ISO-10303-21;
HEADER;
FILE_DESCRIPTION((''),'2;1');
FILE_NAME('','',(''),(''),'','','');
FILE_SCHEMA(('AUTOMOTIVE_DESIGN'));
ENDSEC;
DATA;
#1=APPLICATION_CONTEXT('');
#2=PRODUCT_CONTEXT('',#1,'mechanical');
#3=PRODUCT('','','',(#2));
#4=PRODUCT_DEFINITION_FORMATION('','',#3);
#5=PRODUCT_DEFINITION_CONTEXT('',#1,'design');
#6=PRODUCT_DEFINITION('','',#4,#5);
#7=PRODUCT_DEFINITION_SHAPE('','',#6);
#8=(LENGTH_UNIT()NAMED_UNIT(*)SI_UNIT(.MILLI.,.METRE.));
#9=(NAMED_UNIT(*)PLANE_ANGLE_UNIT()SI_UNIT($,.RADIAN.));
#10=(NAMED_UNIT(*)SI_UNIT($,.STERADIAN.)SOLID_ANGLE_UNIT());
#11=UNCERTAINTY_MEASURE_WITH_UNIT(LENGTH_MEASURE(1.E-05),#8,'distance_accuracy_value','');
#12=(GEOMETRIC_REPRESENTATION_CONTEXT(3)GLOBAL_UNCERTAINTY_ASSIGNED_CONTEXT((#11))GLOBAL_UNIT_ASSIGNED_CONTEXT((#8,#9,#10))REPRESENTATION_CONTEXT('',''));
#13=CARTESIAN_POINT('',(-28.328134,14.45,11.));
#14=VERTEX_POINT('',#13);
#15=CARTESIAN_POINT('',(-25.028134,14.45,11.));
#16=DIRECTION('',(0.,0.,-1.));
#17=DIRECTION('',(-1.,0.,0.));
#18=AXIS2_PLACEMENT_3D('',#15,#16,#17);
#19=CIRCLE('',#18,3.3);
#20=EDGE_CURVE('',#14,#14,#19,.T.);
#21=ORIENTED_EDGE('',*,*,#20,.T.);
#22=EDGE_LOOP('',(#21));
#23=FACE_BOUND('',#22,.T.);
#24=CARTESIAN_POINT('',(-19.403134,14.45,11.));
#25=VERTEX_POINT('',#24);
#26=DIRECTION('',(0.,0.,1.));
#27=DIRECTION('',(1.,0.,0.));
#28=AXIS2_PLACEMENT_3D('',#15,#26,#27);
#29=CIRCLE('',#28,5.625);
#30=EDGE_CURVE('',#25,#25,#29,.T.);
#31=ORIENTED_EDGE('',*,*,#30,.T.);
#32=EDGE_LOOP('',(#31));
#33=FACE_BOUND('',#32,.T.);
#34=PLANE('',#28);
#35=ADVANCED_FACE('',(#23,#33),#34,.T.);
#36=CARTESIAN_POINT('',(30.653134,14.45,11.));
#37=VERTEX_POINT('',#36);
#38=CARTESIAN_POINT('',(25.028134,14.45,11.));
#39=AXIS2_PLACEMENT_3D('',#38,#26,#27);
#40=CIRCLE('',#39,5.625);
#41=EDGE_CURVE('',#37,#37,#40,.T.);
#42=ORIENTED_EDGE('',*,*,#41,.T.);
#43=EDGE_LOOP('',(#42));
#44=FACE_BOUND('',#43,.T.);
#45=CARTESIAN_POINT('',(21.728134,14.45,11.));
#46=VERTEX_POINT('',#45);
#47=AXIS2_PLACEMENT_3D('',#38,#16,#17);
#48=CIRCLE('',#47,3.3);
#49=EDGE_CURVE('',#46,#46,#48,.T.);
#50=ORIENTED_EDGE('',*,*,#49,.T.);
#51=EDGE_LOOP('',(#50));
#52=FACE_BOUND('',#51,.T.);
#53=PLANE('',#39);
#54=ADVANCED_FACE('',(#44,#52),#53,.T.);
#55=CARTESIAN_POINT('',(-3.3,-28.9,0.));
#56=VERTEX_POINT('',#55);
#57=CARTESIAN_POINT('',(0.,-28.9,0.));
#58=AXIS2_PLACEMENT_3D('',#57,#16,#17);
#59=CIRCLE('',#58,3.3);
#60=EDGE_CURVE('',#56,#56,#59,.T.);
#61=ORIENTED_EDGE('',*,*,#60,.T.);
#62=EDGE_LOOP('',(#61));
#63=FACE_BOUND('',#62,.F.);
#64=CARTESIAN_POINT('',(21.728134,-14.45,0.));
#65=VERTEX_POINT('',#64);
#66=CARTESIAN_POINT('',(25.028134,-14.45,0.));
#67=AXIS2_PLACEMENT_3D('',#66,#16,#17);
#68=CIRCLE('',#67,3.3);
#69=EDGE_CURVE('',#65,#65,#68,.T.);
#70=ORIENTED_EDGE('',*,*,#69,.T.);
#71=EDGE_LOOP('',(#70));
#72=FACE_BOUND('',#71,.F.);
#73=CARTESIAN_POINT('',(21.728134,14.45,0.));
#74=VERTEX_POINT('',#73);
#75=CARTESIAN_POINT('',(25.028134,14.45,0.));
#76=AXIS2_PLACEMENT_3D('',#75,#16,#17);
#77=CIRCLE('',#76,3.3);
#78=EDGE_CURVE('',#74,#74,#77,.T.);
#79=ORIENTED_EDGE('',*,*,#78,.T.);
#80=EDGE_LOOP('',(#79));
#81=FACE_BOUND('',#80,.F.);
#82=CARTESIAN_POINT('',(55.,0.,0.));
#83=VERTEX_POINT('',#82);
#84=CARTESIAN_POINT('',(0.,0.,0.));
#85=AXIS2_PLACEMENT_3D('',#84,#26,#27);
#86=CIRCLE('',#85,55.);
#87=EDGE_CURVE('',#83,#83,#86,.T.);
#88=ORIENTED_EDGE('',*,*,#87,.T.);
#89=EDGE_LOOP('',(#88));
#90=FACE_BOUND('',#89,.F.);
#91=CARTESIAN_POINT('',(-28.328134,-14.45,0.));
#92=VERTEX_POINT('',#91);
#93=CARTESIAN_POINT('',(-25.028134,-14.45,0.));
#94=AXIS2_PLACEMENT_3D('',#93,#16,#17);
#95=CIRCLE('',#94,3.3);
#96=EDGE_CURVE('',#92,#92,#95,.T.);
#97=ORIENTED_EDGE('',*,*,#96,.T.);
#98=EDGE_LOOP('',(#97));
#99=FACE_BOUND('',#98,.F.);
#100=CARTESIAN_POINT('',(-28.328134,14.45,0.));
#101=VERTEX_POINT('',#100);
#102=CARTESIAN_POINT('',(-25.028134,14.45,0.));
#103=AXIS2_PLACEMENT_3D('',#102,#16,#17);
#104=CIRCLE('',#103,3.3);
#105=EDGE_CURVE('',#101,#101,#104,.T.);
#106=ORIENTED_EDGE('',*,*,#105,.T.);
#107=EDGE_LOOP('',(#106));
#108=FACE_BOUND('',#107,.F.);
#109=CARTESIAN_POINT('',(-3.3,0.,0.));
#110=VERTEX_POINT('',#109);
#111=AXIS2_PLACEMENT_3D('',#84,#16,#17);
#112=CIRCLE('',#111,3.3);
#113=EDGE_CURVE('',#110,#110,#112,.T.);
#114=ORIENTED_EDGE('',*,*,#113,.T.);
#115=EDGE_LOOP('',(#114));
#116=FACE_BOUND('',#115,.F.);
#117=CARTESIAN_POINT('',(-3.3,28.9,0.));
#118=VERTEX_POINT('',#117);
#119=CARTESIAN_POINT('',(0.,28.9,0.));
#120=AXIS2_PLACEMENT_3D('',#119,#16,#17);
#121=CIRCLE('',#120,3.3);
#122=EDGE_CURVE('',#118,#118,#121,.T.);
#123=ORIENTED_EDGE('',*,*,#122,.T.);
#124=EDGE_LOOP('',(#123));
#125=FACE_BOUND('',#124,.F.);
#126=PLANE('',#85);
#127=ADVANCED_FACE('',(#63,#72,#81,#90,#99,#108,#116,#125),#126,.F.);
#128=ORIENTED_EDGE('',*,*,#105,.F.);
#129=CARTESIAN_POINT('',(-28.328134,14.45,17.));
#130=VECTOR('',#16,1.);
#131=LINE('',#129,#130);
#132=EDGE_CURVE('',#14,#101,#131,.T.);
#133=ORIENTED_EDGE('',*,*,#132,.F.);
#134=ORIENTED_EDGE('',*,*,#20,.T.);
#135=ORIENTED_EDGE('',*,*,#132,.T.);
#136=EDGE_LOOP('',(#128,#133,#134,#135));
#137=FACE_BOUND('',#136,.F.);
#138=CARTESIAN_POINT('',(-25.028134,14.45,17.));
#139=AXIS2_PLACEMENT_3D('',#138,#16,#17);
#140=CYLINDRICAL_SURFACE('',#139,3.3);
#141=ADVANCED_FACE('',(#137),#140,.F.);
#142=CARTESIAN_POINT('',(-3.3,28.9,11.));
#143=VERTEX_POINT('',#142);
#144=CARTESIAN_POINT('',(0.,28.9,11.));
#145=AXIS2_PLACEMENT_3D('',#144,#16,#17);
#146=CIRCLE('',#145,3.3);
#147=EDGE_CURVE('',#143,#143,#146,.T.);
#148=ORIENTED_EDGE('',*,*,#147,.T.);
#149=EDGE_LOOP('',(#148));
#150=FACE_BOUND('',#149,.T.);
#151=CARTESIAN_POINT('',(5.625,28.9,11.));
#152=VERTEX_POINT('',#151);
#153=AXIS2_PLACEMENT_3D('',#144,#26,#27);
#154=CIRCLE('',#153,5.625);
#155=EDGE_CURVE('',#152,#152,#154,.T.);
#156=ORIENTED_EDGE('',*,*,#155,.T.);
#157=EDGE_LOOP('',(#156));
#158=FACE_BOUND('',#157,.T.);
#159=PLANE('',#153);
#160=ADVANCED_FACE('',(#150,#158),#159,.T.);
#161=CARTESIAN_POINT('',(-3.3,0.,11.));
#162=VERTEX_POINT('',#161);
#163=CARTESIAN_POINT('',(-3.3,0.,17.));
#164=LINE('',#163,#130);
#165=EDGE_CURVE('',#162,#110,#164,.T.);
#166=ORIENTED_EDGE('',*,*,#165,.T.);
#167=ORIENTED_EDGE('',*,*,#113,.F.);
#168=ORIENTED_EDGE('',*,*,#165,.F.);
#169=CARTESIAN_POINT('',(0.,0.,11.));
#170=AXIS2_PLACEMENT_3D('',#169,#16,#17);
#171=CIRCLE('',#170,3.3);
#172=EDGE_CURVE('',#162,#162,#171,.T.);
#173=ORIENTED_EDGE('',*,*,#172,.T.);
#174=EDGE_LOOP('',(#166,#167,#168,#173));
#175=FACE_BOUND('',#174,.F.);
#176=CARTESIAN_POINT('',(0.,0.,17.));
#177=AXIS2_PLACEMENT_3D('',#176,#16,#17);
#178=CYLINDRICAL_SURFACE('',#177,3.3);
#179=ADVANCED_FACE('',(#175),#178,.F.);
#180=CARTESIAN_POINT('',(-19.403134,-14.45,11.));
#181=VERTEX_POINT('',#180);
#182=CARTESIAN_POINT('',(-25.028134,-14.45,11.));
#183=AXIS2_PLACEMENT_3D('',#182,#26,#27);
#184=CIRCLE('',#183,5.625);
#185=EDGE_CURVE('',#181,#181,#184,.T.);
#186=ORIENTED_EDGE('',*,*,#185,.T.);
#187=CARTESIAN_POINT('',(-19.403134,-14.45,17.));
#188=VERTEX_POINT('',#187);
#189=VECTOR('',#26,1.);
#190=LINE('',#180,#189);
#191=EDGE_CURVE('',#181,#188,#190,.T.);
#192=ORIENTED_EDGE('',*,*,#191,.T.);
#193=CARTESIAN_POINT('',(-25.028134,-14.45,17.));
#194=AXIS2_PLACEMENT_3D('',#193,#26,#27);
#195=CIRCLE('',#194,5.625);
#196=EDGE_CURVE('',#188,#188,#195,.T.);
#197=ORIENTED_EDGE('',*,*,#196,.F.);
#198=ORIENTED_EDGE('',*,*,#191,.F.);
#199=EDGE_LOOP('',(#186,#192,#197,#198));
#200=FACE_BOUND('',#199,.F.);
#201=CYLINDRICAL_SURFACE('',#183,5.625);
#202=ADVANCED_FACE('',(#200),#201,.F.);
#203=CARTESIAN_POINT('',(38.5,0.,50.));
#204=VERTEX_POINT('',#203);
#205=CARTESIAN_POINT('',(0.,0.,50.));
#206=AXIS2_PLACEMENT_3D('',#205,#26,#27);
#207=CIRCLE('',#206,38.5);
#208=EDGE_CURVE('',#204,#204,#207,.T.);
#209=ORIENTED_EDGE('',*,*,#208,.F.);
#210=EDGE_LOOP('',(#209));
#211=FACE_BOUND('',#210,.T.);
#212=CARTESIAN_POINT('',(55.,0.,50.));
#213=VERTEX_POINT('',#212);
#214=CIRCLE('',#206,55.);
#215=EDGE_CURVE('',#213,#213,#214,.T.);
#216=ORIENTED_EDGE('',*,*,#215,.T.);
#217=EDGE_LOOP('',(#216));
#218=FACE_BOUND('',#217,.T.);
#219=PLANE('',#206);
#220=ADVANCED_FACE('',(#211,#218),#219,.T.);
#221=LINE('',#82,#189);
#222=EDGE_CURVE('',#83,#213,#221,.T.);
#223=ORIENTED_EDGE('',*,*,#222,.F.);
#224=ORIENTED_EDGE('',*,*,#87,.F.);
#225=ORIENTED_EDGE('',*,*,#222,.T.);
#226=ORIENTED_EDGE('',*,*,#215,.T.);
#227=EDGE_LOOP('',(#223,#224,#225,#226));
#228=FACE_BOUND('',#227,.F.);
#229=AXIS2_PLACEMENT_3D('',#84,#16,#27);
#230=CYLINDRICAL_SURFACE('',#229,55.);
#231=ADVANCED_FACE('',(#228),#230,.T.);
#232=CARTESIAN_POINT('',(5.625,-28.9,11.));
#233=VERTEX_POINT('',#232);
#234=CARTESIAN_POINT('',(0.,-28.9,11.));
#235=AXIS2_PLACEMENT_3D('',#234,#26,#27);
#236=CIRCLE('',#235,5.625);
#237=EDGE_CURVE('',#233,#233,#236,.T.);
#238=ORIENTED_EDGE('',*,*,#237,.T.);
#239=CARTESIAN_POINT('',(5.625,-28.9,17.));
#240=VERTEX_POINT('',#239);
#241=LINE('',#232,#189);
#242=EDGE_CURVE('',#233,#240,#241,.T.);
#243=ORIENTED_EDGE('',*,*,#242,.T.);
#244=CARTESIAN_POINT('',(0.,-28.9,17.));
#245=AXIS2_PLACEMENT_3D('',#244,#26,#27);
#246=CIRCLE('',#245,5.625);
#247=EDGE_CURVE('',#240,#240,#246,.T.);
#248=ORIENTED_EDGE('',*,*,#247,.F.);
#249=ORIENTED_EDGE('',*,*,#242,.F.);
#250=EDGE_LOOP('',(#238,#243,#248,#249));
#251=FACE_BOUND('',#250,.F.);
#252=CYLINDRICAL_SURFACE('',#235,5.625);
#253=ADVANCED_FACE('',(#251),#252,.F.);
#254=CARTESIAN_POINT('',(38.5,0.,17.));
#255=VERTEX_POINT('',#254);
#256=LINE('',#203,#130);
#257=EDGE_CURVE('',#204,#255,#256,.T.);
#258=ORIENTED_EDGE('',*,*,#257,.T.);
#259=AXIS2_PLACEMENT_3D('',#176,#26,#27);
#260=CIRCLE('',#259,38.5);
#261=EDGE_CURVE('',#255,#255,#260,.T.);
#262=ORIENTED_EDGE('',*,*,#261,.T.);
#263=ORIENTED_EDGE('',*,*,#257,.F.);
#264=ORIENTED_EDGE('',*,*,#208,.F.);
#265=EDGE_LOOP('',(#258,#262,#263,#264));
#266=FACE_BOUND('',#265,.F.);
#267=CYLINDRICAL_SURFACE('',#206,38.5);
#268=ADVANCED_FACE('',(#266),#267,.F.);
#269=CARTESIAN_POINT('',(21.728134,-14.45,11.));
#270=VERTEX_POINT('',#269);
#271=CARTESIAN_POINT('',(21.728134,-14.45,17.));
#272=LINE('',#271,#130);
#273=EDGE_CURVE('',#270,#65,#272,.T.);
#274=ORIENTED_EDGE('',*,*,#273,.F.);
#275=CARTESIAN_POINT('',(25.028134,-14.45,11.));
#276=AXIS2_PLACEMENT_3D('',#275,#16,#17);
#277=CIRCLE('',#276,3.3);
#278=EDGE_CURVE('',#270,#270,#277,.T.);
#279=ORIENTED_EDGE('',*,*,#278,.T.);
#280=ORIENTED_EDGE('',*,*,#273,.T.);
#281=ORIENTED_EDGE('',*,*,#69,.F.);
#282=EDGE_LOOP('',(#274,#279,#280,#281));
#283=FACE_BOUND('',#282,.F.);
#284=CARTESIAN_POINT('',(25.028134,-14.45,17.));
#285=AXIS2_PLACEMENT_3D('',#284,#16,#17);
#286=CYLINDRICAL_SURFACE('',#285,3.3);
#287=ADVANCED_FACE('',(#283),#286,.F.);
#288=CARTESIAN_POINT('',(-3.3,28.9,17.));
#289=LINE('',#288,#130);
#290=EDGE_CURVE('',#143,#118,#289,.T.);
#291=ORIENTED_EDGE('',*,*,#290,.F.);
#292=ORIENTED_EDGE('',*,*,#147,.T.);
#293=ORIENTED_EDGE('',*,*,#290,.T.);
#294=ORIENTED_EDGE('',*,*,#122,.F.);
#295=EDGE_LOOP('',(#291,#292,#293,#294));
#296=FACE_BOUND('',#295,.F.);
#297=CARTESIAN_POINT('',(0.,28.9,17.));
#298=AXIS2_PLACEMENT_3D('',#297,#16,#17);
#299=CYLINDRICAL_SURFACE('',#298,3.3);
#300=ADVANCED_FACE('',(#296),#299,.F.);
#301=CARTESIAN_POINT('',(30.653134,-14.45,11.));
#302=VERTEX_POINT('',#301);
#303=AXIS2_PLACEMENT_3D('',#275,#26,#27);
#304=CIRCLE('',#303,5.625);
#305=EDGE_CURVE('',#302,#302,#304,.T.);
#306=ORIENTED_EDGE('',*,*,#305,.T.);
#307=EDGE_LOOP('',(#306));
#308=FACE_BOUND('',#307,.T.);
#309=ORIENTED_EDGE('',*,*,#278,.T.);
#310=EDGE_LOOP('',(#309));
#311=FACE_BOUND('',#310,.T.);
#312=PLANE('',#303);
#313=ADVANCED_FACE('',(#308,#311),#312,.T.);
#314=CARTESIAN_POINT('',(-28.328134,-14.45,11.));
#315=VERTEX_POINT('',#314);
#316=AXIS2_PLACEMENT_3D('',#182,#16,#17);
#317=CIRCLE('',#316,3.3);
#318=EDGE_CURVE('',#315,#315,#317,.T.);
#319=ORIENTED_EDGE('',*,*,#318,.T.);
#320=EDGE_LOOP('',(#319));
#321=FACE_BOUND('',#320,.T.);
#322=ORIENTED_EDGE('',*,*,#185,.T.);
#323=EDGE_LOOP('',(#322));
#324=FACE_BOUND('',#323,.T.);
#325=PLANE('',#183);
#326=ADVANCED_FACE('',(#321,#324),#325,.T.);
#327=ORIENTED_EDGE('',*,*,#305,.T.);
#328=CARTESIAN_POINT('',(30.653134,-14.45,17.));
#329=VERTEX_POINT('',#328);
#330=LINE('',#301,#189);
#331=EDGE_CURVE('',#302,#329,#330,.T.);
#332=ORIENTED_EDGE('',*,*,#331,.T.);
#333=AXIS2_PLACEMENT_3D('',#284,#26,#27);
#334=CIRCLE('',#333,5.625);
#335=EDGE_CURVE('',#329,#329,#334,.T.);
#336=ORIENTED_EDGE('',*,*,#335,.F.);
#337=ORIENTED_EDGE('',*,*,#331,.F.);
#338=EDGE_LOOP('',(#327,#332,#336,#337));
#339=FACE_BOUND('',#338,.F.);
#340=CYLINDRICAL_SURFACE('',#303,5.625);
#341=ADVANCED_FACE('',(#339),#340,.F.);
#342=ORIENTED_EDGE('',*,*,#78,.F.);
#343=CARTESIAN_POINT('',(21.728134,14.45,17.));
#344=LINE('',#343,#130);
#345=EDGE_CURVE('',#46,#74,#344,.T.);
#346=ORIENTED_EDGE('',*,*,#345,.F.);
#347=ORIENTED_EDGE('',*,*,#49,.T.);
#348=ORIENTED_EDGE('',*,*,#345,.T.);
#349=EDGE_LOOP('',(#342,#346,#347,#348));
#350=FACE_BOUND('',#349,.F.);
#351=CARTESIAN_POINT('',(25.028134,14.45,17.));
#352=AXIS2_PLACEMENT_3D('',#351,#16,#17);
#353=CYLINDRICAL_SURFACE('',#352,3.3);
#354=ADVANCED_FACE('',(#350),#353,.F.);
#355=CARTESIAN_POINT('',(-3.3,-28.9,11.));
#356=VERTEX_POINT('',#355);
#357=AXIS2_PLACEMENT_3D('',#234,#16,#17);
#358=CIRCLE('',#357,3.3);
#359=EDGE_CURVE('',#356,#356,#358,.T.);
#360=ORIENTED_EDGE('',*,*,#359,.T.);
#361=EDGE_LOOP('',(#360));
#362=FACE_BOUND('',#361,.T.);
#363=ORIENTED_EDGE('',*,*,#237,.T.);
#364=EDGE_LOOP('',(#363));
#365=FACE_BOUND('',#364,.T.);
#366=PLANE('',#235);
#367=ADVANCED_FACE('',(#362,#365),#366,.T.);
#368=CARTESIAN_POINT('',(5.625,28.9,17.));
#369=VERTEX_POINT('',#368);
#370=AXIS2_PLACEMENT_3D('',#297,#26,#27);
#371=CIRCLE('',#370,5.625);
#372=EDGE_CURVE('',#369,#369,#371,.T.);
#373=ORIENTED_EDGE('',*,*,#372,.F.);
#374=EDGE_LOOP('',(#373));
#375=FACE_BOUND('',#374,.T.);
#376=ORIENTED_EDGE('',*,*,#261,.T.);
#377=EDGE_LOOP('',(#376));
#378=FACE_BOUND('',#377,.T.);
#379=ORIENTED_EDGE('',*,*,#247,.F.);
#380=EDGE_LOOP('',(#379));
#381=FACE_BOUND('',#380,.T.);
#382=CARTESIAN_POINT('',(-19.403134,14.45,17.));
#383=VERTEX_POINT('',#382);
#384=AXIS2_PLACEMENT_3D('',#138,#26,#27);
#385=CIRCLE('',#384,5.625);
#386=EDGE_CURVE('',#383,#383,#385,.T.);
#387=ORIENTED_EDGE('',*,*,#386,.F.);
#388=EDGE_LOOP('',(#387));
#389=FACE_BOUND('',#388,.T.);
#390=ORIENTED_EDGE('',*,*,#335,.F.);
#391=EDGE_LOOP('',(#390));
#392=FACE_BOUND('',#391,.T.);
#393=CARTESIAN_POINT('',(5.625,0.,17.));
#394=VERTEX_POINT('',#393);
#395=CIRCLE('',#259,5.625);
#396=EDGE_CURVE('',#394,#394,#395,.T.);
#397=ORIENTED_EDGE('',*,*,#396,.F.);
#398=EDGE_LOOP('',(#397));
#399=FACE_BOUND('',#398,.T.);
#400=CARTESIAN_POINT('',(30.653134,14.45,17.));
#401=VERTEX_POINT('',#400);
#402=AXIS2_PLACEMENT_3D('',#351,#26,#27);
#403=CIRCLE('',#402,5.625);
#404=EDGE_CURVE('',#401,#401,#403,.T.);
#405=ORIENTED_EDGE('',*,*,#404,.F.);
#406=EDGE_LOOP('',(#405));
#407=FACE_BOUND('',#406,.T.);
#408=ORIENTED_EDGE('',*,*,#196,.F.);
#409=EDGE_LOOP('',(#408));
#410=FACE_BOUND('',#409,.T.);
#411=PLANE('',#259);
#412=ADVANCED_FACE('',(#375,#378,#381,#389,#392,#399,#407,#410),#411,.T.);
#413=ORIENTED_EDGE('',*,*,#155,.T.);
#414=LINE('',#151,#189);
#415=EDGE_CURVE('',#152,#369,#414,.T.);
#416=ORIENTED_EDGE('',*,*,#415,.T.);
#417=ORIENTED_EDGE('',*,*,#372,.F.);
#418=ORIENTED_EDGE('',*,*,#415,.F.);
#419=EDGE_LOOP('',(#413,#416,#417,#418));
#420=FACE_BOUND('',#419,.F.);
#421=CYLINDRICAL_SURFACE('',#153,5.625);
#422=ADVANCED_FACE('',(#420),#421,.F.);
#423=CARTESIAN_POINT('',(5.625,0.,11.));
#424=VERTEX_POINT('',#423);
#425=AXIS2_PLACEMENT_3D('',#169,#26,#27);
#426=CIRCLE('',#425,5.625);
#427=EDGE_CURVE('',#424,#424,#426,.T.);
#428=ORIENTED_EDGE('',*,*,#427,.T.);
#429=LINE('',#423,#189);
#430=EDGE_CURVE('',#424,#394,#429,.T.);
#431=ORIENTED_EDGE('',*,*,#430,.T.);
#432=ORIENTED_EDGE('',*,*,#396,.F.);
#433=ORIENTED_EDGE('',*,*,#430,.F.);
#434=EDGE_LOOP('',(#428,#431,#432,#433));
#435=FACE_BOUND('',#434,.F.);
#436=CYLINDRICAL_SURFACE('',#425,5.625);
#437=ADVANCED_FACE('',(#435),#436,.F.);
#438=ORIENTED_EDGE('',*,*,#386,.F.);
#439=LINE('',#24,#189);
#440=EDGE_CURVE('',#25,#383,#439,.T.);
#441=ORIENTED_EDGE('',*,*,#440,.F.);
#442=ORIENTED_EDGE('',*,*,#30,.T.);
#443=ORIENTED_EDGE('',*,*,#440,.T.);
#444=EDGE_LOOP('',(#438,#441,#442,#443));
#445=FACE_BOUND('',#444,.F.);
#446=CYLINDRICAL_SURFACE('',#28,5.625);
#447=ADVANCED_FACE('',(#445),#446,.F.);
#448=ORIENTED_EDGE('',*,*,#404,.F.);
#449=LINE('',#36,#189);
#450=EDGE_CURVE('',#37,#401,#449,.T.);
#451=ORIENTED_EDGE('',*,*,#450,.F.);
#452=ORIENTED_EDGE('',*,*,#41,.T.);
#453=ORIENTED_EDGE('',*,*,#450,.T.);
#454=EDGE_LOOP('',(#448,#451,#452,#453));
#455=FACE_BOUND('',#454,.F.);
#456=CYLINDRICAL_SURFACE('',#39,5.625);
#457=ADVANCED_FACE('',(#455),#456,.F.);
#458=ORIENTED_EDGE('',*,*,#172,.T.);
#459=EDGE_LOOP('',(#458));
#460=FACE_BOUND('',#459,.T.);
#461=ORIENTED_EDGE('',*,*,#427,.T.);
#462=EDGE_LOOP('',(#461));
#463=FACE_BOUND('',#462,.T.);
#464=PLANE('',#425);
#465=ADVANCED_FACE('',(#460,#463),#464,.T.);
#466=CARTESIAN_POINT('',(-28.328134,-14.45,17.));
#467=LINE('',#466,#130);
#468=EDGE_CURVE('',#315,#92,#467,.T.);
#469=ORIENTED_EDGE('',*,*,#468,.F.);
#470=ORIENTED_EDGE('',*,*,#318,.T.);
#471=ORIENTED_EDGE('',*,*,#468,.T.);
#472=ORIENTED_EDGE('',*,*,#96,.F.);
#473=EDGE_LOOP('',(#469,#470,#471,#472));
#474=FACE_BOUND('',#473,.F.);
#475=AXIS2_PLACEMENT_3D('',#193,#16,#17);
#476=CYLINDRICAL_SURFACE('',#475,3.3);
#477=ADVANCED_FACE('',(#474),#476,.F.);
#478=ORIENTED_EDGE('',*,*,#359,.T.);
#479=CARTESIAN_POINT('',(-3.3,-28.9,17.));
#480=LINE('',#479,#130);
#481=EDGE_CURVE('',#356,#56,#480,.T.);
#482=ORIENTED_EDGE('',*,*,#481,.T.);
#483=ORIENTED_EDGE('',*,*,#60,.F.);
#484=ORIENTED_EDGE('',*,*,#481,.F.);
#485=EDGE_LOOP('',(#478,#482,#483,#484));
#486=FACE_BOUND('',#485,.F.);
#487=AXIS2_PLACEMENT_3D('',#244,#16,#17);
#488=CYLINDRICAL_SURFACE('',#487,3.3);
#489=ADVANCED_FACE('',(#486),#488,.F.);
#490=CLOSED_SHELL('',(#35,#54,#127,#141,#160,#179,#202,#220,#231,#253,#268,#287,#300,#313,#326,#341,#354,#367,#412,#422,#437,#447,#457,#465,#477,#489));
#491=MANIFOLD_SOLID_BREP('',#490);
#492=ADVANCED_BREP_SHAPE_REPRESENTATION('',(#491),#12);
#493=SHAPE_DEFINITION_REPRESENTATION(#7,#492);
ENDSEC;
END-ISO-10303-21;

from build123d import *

# Parameters (mm, degrees)
F0_R           = 55
F0_R_2         = 3
F1_DEPTH       = 50
F2_R           = 38.5
F2_R_2         = 3
F3_DEPTH       = 33
F5_D           = 6.6
F5_CBORE_D     = 11.25
F5_CBORE_DEPTH = 6


with BuildPart() as f1:
    # F0 (on Top) → F1 (new body)
    with BuildSketch(Plane.XY):
        Circle(F0_R)
        with BuildLine():
            ThreePointArc((28.0281341694, -14.45), (25.8045913047, -17.3477774789), (22.430057958, -15.95))
            Line((22.430057958, -15.95), (2.5980762114, -27.4))
            ThreePointArc((2.5980762114, -27.4), (2.8977774789, -28.1235428647), (3, -28.9))
            ThreePointArc((3, -28.9), (-0.7764571353, -31.7977774789), (-2.5980762114, -27.4))
            Line((-2.5980762114, -27.4), (-22.430057958, -15.95))
            ThreePointArc((-22.430057958, -15.95), (-27.6262103807, -15.95), (-25.0281341694, -11.45))
            Line((-25.0281341694, -11.45), (-25.0281341694, 11.45))
            ThreePointArc((-25.0281341694, 11.45), (-27.6262103807, 15.95), (-22.430057958, 15.95))
            Line((-22.430057958, 15.95), (-2.5980762114, 27.4))
            ThreePointArc((-2.5980762114, 27.4), (-0.7764571353, 31.7977774789), (3, 28.9))
            ThreePointArc((3, 28.9), (2.8977774789, 28.1235428647), (2.5980762114, 27.4))
            Line((2.5980762114, 27.4), (22.430057958, 15.95))
            ThreePointArc((22.430057958, 15.95), (25.8045913047, 17.3477774789), (28.0281341694, 14.45))
            ThreePointArc((28.0281341694, 14.45), (27.1494545129, 12.3286796564), (25.0281341694, 11.45))
            Line((25.0281341694, 11.45), (25.0281341694, -11.45))
            ThreePointArc((25.0281341694, -11.45), (27.1494545129, -12.3286796564), (28.0281341694, -14.45))
        make_face(mode=Mode.SUBTRACT)
        with BuildLine():
            Line((2.5980762114, -27.4), (22.430057958, -15.95))
            ThreePointArc((22.430057958, -15.95), (22.430057958, -12.95), (25.0281341694, -11.45))
            Line((25.0281341694, -11.45), (25.0281341694, 11.45))
            ThreePointArc((25.0281341694, 11.45), (22.430057958, 12.95), (22.430057958, 15.95))
            Line((22.430057958, 15.95), (2.5980762114, 27.4))
            ThreePointArc((2.5980762114, 27.4), (0, 25.9), (-2.5980762114, 27.4))
            Line((-2.5980762114, 27.4), (-22.430057958, 15.95))
            ThreePointArc((-22.430057958, 15.95), (-22.1303566905, 15.2264571353), (-22.0281341694, 14.45))
            ThreePointArc((-22.0281341694, 14.45), (-22.9068138258, 12.3286796564), (-25.0281341694, 11.45))
            Line((-25.0281341694, 11.45), (-25.0281341694, -11.45))
            ThreePointArc((-25.0281341694, -11.45), (-22.9068138258, -12.3286796564), (-22.0281341694, -14.45))
            ThreePointArc((-22.0281341694, -14.45), (-22.1303566905, -15.2264571353), (-22.430057958, -15.95))
            Line((-22.430057958, -15.95), (-2.5980762114, -27.4))
            ThreePointArc((-2.5980762114, -27.4), (0, -25.9), (2.5980762114, -27.4))
        make_face()
        Circle(F0_R_2, mode=Mode.SUBTRACT)
    extrude(amount=F1_DEPTH)

    # F2 (on face) → F3 (cut)
    with BuildSketch(Plane.XY.offset(50)):
        Circle(F2_R)
        with Locations((-25.0281341694, -14.45)):
            Circle(F2_R_2, mode=Mode.SUBTRACT)
        with Locations((0, -28.9)):
            Circle(F2_R_2, mode=Mode.SUBTRACT)
        with Locations((25.0281341694, -14.45)):
            Circle(F2_R_2, mode=Mode.SUBTRACT)
        with Locations((-25.0281341694, 14.45)):
            Circle(F2_R_2, mode=Mode.SUBTRACT)
        Circle(F2_R_2, mode=Mode.SUBTRACT)
        with Locations((25.0281341694, 14.45)):
            Circle(F2_R_2, mode=Mode.SUBTRACT)
        with Locations((0, 28.9)):
            Circle(F2_R_2, mode=Mode.SUBTRACT)
    extrude(amount=-F3_DEPTH, mode=Mode.SUBTRACT)

    # F5 (through all)
    with Locations(Plane.XY.offset(17)):
        with Locations((-25.0281341694, 14.45), (-25.0281341694, -14.45), (0, -28.9), (25.0281341694, -14.45), (25.0281341694, 14.45), (0, 28.9), (0, 0)):
            CounterBoreHole(F5_D / 2, F5_CBORE_D / 2, F5_CBORE_DEPTH)


solid = f1.part
